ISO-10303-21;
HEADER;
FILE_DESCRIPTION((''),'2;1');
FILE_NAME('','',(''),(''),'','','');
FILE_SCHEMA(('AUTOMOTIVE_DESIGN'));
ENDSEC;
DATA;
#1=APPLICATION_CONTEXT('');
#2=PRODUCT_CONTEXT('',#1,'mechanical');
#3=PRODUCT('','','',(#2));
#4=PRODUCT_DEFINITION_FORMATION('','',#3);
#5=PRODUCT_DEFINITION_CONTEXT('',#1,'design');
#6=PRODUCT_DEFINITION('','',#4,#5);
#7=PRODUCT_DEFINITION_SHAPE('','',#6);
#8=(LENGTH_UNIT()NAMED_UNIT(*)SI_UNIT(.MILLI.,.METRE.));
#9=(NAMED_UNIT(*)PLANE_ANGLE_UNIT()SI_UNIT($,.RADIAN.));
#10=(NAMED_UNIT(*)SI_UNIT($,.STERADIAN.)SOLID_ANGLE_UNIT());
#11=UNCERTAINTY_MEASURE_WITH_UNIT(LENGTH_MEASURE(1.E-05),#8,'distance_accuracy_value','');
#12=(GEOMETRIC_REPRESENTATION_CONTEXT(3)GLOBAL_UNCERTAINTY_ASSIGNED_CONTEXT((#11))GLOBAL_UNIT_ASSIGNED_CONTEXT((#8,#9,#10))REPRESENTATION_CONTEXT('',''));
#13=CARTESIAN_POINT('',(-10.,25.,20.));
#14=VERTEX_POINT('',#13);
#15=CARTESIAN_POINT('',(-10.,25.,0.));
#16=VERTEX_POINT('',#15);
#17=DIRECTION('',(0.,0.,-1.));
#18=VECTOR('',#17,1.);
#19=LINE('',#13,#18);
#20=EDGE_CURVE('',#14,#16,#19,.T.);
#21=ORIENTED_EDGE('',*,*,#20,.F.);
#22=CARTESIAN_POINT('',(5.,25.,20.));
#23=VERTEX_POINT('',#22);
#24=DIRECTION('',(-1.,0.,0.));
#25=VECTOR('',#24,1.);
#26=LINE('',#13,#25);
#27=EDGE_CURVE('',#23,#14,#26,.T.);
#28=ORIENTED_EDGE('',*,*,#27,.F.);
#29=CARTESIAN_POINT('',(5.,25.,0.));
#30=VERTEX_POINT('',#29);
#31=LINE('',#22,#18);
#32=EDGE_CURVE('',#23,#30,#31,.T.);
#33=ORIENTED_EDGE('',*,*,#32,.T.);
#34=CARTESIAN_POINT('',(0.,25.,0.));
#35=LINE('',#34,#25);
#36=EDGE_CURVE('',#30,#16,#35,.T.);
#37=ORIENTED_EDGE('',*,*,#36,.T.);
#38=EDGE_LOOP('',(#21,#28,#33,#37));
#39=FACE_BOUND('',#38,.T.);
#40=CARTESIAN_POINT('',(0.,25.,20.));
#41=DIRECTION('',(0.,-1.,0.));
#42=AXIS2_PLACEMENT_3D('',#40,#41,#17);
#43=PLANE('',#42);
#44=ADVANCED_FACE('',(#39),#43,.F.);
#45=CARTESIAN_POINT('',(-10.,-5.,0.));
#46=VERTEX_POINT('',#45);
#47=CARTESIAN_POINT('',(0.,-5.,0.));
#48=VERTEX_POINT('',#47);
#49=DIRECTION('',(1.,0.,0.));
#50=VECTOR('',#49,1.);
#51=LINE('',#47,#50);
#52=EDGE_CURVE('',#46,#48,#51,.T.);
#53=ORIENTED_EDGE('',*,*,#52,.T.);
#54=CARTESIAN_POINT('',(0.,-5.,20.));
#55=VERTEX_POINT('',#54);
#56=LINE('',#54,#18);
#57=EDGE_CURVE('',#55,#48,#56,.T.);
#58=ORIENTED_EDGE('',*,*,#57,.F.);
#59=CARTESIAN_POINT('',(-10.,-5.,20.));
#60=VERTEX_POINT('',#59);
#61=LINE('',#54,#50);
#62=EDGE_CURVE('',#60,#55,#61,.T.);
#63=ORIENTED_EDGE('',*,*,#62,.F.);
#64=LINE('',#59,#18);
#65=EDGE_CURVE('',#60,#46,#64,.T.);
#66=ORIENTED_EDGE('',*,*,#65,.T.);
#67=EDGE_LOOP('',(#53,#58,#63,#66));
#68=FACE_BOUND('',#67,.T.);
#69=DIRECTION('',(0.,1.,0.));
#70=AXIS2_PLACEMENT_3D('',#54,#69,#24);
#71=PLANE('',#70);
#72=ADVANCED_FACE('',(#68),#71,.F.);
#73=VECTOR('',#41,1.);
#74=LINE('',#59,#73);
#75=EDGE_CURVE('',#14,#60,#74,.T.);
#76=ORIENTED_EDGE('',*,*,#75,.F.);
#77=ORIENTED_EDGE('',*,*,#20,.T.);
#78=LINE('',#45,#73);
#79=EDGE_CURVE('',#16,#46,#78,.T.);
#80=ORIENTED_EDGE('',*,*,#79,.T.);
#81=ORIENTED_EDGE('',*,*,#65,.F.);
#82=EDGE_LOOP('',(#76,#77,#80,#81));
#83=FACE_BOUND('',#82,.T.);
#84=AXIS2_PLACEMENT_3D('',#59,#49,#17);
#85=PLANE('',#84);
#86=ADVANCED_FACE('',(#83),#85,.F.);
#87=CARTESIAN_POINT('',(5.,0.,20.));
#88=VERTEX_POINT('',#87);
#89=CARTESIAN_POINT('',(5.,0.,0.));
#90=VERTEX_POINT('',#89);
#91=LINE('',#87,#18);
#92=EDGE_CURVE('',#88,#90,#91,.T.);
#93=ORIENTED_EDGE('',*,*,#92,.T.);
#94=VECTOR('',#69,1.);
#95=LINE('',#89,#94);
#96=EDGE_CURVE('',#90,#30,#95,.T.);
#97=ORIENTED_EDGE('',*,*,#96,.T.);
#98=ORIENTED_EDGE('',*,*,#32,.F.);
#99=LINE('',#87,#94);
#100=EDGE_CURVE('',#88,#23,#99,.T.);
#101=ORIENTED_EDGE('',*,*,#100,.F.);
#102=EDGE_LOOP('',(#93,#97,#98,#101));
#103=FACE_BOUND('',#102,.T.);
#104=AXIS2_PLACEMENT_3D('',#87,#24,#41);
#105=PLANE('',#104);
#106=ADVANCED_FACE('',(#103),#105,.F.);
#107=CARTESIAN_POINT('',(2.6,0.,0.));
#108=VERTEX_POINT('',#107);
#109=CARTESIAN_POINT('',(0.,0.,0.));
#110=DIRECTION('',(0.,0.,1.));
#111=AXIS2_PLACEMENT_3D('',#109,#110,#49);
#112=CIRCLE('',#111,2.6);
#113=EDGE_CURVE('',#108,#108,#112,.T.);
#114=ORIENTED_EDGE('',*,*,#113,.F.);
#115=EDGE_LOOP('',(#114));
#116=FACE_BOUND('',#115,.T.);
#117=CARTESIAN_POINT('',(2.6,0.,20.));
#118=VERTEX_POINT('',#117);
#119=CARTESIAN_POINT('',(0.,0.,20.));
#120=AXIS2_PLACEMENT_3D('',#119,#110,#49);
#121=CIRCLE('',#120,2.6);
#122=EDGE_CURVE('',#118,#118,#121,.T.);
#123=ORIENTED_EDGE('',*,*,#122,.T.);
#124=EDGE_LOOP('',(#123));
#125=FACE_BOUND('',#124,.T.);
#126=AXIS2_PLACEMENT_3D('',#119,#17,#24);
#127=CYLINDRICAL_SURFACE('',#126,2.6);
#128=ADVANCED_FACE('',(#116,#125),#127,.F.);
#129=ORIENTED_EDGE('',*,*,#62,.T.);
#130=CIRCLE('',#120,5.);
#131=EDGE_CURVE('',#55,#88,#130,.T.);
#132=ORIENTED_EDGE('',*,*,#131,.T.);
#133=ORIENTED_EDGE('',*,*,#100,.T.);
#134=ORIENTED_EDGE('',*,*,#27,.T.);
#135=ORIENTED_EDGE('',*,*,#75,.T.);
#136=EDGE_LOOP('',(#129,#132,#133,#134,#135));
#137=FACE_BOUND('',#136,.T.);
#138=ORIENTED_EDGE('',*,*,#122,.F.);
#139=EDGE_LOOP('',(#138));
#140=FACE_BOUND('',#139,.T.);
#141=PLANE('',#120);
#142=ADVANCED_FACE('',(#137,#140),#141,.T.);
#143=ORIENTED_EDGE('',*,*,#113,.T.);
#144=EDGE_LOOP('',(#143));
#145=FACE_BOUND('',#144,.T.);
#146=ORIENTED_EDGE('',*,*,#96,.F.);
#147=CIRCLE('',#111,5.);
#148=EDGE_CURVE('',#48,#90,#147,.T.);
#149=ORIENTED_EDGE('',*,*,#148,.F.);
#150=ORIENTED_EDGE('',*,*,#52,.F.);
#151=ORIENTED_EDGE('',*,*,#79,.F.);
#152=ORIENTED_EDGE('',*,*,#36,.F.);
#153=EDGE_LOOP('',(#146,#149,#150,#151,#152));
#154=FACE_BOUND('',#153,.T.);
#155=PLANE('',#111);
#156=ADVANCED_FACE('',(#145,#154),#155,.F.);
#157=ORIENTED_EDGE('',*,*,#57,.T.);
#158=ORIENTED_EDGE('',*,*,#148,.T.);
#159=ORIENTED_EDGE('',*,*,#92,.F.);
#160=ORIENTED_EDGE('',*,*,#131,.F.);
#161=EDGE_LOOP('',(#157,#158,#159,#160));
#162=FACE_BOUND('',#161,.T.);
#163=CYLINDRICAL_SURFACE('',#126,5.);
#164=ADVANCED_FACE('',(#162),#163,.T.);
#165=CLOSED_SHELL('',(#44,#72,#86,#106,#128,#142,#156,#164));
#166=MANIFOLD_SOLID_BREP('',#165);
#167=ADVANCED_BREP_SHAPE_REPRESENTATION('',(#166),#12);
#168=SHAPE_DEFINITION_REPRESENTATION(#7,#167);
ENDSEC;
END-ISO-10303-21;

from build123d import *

# Parameters (mm, degrees)
CROQUIS2_R              = 2.6
SALIENTE_EXTRUIR2_DEPTH = 20


with BuildPart() as part:
    # Croquis2 → Saliente-Extruir2 (new body)
    with BuildSketch(Plane.XY):
        with BuildLine():
            Line((5, 0), (5, 25))
            Line((5, 25), (0, 25))
            Line((0, 25), (-10, 25))
            Line((-10, 25), (-10, -5))
            Line((-10, -5), (0, -5))
            ThreePointArc((0, -5), (3.535533906, -3.535533906), (5, 0))
        make_face()
        Circle(CROQUIS2_R, mode=Mode.SUBTRACT)
    extrude(amount=SALIENTE_EXTRUIR2_DEPTH)


solid = part.part
